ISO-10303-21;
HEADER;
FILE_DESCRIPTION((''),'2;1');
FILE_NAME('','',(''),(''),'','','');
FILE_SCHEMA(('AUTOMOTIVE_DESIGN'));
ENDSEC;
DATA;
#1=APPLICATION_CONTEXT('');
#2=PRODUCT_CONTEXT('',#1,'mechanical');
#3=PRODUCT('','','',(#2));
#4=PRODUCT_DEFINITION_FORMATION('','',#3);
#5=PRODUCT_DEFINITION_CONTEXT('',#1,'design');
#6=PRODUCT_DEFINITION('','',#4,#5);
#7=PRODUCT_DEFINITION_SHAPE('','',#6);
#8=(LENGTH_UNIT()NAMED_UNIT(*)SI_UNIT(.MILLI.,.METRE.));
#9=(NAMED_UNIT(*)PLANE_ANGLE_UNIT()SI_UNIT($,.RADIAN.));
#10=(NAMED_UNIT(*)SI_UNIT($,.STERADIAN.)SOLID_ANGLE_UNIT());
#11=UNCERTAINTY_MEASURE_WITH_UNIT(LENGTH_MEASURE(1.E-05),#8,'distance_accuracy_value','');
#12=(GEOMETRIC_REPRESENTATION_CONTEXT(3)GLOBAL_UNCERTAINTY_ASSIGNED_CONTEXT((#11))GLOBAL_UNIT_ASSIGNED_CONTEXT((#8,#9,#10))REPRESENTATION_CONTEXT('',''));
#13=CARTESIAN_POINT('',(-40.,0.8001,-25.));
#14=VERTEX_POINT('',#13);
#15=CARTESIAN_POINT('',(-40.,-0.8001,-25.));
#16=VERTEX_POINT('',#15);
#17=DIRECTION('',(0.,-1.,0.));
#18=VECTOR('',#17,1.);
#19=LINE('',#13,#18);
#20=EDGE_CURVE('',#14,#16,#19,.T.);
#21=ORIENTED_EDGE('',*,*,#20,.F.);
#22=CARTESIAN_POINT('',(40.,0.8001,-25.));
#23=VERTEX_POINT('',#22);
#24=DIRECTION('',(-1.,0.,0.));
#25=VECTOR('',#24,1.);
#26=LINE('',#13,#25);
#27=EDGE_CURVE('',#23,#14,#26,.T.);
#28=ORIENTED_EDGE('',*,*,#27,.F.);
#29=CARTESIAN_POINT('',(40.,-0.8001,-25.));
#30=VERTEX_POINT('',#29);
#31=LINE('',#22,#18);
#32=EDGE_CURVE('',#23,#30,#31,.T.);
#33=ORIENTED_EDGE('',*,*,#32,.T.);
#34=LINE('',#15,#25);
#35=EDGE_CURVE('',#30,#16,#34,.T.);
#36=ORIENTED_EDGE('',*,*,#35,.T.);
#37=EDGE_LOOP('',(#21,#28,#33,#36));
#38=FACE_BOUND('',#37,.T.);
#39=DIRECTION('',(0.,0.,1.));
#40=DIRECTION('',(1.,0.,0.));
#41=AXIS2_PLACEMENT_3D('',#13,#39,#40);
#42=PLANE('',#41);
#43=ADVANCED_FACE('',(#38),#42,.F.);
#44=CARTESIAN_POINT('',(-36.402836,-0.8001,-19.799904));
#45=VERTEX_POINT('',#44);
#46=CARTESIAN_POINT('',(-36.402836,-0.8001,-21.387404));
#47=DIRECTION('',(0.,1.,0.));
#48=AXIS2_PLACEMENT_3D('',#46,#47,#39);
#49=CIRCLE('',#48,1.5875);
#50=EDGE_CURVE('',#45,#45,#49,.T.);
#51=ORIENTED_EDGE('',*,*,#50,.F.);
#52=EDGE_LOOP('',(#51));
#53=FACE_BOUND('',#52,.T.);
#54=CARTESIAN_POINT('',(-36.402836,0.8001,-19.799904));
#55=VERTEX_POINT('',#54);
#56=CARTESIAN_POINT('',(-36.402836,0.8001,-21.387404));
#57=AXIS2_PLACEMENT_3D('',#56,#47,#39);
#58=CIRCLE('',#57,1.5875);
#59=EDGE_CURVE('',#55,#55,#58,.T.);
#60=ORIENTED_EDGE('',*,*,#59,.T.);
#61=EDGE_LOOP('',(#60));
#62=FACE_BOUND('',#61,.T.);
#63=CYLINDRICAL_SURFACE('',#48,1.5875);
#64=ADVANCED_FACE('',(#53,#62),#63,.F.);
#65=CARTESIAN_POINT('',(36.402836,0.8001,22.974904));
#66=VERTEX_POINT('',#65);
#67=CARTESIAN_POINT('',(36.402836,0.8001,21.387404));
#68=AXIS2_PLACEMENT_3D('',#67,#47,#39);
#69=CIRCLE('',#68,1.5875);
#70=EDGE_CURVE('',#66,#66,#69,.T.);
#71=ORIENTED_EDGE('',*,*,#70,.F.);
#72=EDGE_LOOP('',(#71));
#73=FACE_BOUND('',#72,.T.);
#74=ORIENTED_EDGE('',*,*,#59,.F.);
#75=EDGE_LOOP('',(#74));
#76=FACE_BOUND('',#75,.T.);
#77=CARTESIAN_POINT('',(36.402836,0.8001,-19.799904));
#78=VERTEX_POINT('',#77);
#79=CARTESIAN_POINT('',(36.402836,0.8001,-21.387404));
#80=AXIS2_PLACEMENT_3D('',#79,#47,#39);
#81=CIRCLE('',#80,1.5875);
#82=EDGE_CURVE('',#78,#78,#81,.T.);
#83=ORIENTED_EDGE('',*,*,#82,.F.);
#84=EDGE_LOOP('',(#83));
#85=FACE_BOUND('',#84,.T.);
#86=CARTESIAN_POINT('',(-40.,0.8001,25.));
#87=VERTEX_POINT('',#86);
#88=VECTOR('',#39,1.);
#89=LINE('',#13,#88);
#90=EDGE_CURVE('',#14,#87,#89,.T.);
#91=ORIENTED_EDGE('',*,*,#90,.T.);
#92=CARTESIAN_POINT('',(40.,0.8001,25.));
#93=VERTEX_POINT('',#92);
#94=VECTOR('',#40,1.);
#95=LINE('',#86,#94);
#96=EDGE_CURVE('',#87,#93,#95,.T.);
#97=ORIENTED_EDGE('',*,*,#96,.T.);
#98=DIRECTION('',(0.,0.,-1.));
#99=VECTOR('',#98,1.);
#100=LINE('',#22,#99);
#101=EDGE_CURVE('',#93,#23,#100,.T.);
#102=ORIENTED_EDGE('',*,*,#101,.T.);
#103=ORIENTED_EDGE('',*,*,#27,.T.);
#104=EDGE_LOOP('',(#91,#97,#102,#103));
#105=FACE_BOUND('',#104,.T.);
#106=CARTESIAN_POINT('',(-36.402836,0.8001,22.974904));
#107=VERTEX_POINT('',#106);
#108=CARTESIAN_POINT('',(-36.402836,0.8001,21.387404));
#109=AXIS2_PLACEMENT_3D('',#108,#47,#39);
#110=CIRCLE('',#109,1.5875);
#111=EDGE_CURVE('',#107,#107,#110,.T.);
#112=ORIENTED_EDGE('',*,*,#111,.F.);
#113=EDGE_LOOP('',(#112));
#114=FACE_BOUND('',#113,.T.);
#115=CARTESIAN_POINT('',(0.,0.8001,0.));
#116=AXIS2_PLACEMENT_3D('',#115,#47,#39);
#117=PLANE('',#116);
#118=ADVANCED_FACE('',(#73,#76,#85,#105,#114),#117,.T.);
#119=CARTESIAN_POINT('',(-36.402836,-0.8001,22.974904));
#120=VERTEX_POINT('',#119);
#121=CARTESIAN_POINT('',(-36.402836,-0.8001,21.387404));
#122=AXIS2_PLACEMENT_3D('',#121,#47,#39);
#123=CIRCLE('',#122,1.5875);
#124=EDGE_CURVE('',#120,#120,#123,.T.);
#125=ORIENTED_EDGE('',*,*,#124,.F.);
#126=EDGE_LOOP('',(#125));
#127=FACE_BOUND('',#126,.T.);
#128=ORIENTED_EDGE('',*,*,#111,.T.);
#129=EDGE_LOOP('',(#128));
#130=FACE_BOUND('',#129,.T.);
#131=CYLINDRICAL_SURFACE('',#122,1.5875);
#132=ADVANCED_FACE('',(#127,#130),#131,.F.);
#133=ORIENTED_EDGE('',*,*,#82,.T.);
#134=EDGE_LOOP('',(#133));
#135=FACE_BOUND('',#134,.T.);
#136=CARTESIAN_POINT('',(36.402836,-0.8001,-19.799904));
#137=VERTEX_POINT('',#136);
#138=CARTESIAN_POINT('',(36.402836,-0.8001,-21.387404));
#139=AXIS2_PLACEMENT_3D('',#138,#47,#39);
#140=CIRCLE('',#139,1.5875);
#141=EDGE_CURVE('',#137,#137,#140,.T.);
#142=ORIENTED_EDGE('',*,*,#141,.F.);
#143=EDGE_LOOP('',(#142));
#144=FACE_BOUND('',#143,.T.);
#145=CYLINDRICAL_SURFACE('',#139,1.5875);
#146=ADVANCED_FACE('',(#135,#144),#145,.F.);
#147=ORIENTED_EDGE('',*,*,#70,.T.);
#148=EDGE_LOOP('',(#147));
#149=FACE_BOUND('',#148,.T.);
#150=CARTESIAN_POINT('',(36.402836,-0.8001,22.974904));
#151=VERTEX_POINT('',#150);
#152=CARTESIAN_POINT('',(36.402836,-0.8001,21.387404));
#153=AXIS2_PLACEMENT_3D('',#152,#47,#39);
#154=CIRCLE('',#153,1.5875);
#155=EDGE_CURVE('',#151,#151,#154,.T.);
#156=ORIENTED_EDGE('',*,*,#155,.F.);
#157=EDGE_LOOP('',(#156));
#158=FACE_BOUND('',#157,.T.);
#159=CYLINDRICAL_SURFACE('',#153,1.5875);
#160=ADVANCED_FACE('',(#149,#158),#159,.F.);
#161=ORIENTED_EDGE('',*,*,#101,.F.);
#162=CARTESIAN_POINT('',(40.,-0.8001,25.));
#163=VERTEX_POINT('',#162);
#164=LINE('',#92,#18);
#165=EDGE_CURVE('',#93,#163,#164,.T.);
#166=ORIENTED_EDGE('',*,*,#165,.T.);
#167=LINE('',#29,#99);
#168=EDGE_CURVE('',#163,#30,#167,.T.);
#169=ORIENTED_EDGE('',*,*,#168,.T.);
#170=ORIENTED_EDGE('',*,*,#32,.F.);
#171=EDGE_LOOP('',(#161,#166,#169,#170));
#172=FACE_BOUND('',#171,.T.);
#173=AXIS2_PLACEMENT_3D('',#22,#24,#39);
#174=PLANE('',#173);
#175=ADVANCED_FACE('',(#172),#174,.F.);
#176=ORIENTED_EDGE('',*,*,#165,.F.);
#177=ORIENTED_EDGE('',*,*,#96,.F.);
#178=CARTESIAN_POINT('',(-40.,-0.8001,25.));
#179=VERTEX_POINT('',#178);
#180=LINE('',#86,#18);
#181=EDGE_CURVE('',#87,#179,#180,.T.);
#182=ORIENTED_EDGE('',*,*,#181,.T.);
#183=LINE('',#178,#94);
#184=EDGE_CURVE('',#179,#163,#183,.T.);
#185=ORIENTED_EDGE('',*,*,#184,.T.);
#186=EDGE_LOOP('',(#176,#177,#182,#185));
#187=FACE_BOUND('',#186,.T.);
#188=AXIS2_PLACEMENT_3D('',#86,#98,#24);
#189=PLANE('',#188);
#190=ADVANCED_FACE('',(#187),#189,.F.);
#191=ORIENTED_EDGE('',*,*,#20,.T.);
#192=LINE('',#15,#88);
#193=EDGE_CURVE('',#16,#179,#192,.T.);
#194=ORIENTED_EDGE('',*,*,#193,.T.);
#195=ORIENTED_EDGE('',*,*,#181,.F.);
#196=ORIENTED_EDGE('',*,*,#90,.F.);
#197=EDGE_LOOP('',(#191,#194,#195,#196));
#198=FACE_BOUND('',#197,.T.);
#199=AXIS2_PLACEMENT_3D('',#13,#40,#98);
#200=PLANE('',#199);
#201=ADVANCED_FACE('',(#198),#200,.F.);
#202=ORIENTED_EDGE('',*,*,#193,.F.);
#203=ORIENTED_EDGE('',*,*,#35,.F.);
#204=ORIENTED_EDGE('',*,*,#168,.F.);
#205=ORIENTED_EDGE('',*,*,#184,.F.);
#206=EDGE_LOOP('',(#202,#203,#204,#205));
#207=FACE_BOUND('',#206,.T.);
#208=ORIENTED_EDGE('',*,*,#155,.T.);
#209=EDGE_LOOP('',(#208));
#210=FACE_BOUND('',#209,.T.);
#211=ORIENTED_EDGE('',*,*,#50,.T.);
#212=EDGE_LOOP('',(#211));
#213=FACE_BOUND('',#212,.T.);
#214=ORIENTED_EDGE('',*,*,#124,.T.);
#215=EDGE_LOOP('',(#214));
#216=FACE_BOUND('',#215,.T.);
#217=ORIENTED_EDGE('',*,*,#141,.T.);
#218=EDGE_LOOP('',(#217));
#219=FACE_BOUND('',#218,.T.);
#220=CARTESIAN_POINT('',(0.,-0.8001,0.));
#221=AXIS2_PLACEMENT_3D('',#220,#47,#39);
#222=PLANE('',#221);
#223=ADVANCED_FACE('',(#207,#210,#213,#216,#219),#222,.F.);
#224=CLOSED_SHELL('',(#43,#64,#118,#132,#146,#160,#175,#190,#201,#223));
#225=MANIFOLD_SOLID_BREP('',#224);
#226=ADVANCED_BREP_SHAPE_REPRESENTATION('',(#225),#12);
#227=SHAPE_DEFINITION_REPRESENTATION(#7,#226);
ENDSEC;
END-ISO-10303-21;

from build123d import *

# Parameters (mm, degrees)
SKETCH1_W           = 80
SKETCH1_H           = 50
BOSS_EXTRUDE1_DEPTH = 0.8001
SKETCH2_R           = 1.5875
CUT_EXTRUDE1_DEPTH  = 48.197040586


with BuildPart() as part:
    # Sketch1 → Boss-Extrude1 (new, symmetric)
    with BuildSketch(Plane(origin=(0, 0, 0), x_dir=(1, 0, 0), z_dir=(0, 1, 0))):
        Rectangle(SKETCH1_W, SKETCH1_H)
    extrude(amount=BOSS_EXTRUDE1_DEPTH, both=True)

    # Sketch2 → Cut-Extrude1 (cut, through all)
    with BuildSketch(Plane(origin=(0, 0.8001, 0), x_dir=(1, 0, 0), z_dir=(0, 1, 0))):
        with Locations(Location((-36.40283621, 21.38740377, 0), (0, 0, 270))):
            Circle(SKETCH2_R)
        with Locations(Location((-36.40283621, -21.38740377, 0), (0, 0, 270))):
            Circle(SKETCH2_R)
        with Locations(Location((36.40283621, -21.38740377, 0), (0, 0, 270))):
            Circle(SKETCH2_R)
        with Locations(Location((36.40283621, 21.38740377, 0), (0, 0, 270))):
            Circle(SKETCH2_R)
    extrude(amount=-CUT_EXTRUDE1_DEPTH, mode=Mode.SUBTRACT)


solid = part.part
